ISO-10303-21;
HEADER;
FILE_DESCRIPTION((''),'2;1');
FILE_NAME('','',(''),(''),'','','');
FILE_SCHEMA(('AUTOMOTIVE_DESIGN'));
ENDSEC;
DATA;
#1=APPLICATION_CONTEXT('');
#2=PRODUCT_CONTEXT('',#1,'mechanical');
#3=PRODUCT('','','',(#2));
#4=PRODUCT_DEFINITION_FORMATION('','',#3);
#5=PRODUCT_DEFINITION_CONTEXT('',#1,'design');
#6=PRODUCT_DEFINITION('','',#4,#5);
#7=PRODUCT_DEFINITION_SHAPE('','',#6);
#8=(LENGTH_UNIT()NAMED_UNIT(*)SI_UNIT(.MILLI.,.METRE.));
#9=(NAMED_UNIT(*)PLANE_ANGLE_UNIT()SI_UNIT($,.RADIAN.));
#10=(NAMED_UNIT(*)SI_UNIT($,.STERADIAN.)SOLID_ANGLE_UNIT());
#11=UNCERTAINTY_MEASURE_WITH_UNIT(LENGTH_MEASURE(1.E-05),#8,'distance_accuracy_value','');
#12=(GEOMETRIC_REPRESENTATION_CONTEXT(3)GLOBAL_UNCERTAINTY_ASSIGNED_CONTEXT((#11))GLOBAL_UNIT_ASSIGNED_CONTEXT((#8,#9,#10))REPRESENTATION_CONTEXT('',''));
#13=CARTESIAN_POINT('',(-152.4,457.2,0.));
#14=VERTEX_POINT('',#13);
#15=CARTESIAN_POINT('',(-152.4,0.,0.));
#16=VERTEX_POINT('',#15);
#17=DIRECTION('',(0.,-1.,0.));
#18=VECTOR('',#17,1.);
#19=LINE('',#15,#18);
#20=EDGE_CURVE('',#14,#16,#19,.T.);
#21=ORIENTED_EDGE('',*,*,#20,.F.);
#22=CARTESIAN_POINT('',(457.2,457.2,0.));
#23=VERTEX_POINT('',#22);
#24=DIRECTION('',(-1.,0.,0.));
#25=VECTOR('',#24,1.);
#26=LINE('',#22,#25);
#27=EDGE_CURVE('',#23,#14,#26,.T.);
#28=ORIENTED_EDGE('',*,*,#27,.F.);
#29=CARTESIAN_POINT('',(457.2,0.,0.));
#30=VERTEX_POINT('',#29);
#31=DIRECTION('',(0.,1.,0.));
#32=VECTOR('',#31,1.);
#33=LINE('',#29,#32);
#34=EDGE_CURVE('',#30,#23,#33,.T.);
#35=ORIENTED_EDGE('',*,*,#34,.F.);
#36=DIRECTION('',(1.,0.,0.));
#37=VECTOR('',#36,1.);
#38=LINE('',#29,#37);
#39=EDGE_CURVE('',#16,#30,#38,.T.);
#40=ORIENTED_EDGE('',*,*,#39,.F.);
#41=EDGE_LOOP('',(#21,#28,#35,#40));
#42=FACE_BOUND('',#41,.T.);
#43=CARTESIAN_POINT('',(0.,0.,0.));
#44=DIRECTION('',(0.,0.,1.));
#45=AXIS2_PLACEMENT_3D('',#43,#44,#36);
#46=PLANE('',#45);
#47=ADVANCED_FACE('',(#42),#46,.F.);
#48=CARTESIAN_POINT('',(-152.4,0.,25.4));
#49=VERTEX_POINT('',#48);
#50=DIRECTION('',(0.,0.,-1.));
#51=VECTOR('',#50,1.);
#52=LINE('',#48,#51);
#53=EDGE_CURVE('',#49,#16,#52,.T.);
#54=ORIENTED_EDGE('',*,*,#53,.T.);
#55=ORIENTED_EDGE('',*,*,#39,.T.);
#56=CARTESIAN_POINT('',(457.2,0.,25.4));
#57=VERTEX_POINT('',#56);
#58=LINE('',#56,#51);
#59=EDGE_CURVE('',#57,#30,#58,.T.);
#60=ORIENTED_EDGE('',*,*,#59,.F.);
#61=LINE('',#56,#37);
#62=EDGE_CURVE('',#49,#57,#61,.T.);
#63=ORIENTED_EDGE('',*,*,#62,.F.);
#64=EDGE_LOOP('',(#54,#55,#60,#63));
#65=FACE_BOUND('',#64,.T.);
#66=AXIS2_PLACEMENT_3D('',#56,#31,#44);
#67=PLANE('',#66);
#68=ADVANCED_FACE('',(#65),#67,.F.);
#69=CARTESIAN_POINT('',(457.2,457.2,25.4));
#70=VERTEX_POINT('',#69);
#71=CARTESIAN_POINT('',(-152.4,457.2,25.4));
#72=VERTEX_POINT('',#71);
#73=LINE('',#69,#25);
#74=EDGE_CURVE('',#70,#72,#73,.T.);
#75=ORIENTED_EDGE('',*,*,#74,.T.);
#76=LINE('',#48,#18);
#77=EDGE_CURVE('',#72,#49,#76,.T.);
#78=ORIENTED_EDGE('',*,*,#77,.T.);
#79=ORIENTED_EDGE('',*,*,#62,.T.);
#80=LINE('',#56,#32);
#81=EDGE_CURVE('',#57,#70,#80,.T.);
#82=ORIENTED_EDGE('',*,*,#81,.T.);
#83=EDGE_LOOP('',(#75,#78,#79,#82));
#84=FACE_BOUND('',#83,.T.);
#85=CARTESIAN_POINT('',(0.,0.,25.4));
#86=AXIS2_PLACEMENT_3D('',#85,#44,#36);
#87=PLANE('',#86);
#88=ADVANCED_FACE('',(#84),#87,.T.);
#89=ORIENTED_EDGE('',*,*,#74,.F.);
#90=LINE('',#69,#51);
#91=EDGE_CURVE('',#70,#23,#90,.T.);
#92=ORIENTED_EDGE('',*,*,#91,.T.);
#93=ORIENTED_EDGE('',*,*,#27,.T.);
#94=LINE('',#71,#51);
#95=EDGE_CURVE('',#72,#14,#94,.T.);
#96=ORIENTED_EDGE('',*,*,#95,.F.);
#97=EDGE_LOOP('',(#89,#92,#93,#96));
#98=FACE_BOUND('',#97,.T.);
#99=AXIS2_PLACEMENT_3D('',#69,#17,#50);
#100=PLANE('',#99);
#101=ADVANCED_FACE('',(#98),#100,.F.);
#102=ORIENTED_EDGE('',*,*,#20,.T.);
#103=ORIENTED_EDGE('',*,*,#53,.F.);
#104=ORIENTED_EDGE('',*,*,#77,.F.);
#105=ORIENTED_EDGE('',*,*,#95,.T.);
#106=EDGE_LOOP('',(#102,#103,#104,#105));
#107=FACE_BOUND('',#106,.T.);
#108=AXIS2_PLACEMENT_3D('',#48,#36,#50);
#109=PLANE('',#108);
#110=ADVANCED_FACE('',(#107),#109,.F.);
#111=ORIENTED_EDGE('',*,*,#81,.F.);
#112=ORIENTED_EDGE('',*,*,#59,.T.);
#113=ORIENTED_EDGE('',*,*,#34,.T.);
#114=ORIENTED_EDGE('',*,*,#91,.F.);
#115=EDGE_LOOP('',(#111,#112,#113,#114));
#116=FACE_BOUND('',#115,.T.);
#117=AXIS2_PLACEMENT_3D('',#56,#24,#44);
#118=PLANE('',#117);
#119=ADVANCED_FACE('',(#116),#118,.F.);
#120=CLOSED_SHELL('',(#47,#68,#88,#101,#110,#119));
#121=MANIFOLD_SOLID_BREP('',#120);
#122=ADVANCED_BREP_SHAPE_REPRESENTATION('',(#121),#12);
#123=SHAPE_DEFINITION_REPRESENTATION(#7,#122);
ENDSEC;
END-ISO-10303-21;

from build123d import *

# Parameters (mm, degrees)
SKETCH1_W           = 609.6
SKETCH1_H           = 457.2
BOSS_EXTRUDE1_DEPTH = 25.4


with BuildPart() as part:
    # Sketch1 → Boss-Extrude1 (new body)
    with BuildSketch(Plane.XY):
        with Locations((152.4, 228.6)):
            Rectangle(SKETCH1_W, SKETCH1_H)
    extrude(amount=BOSS_EXTRUDE1_DEPTH)


solid = part.part
